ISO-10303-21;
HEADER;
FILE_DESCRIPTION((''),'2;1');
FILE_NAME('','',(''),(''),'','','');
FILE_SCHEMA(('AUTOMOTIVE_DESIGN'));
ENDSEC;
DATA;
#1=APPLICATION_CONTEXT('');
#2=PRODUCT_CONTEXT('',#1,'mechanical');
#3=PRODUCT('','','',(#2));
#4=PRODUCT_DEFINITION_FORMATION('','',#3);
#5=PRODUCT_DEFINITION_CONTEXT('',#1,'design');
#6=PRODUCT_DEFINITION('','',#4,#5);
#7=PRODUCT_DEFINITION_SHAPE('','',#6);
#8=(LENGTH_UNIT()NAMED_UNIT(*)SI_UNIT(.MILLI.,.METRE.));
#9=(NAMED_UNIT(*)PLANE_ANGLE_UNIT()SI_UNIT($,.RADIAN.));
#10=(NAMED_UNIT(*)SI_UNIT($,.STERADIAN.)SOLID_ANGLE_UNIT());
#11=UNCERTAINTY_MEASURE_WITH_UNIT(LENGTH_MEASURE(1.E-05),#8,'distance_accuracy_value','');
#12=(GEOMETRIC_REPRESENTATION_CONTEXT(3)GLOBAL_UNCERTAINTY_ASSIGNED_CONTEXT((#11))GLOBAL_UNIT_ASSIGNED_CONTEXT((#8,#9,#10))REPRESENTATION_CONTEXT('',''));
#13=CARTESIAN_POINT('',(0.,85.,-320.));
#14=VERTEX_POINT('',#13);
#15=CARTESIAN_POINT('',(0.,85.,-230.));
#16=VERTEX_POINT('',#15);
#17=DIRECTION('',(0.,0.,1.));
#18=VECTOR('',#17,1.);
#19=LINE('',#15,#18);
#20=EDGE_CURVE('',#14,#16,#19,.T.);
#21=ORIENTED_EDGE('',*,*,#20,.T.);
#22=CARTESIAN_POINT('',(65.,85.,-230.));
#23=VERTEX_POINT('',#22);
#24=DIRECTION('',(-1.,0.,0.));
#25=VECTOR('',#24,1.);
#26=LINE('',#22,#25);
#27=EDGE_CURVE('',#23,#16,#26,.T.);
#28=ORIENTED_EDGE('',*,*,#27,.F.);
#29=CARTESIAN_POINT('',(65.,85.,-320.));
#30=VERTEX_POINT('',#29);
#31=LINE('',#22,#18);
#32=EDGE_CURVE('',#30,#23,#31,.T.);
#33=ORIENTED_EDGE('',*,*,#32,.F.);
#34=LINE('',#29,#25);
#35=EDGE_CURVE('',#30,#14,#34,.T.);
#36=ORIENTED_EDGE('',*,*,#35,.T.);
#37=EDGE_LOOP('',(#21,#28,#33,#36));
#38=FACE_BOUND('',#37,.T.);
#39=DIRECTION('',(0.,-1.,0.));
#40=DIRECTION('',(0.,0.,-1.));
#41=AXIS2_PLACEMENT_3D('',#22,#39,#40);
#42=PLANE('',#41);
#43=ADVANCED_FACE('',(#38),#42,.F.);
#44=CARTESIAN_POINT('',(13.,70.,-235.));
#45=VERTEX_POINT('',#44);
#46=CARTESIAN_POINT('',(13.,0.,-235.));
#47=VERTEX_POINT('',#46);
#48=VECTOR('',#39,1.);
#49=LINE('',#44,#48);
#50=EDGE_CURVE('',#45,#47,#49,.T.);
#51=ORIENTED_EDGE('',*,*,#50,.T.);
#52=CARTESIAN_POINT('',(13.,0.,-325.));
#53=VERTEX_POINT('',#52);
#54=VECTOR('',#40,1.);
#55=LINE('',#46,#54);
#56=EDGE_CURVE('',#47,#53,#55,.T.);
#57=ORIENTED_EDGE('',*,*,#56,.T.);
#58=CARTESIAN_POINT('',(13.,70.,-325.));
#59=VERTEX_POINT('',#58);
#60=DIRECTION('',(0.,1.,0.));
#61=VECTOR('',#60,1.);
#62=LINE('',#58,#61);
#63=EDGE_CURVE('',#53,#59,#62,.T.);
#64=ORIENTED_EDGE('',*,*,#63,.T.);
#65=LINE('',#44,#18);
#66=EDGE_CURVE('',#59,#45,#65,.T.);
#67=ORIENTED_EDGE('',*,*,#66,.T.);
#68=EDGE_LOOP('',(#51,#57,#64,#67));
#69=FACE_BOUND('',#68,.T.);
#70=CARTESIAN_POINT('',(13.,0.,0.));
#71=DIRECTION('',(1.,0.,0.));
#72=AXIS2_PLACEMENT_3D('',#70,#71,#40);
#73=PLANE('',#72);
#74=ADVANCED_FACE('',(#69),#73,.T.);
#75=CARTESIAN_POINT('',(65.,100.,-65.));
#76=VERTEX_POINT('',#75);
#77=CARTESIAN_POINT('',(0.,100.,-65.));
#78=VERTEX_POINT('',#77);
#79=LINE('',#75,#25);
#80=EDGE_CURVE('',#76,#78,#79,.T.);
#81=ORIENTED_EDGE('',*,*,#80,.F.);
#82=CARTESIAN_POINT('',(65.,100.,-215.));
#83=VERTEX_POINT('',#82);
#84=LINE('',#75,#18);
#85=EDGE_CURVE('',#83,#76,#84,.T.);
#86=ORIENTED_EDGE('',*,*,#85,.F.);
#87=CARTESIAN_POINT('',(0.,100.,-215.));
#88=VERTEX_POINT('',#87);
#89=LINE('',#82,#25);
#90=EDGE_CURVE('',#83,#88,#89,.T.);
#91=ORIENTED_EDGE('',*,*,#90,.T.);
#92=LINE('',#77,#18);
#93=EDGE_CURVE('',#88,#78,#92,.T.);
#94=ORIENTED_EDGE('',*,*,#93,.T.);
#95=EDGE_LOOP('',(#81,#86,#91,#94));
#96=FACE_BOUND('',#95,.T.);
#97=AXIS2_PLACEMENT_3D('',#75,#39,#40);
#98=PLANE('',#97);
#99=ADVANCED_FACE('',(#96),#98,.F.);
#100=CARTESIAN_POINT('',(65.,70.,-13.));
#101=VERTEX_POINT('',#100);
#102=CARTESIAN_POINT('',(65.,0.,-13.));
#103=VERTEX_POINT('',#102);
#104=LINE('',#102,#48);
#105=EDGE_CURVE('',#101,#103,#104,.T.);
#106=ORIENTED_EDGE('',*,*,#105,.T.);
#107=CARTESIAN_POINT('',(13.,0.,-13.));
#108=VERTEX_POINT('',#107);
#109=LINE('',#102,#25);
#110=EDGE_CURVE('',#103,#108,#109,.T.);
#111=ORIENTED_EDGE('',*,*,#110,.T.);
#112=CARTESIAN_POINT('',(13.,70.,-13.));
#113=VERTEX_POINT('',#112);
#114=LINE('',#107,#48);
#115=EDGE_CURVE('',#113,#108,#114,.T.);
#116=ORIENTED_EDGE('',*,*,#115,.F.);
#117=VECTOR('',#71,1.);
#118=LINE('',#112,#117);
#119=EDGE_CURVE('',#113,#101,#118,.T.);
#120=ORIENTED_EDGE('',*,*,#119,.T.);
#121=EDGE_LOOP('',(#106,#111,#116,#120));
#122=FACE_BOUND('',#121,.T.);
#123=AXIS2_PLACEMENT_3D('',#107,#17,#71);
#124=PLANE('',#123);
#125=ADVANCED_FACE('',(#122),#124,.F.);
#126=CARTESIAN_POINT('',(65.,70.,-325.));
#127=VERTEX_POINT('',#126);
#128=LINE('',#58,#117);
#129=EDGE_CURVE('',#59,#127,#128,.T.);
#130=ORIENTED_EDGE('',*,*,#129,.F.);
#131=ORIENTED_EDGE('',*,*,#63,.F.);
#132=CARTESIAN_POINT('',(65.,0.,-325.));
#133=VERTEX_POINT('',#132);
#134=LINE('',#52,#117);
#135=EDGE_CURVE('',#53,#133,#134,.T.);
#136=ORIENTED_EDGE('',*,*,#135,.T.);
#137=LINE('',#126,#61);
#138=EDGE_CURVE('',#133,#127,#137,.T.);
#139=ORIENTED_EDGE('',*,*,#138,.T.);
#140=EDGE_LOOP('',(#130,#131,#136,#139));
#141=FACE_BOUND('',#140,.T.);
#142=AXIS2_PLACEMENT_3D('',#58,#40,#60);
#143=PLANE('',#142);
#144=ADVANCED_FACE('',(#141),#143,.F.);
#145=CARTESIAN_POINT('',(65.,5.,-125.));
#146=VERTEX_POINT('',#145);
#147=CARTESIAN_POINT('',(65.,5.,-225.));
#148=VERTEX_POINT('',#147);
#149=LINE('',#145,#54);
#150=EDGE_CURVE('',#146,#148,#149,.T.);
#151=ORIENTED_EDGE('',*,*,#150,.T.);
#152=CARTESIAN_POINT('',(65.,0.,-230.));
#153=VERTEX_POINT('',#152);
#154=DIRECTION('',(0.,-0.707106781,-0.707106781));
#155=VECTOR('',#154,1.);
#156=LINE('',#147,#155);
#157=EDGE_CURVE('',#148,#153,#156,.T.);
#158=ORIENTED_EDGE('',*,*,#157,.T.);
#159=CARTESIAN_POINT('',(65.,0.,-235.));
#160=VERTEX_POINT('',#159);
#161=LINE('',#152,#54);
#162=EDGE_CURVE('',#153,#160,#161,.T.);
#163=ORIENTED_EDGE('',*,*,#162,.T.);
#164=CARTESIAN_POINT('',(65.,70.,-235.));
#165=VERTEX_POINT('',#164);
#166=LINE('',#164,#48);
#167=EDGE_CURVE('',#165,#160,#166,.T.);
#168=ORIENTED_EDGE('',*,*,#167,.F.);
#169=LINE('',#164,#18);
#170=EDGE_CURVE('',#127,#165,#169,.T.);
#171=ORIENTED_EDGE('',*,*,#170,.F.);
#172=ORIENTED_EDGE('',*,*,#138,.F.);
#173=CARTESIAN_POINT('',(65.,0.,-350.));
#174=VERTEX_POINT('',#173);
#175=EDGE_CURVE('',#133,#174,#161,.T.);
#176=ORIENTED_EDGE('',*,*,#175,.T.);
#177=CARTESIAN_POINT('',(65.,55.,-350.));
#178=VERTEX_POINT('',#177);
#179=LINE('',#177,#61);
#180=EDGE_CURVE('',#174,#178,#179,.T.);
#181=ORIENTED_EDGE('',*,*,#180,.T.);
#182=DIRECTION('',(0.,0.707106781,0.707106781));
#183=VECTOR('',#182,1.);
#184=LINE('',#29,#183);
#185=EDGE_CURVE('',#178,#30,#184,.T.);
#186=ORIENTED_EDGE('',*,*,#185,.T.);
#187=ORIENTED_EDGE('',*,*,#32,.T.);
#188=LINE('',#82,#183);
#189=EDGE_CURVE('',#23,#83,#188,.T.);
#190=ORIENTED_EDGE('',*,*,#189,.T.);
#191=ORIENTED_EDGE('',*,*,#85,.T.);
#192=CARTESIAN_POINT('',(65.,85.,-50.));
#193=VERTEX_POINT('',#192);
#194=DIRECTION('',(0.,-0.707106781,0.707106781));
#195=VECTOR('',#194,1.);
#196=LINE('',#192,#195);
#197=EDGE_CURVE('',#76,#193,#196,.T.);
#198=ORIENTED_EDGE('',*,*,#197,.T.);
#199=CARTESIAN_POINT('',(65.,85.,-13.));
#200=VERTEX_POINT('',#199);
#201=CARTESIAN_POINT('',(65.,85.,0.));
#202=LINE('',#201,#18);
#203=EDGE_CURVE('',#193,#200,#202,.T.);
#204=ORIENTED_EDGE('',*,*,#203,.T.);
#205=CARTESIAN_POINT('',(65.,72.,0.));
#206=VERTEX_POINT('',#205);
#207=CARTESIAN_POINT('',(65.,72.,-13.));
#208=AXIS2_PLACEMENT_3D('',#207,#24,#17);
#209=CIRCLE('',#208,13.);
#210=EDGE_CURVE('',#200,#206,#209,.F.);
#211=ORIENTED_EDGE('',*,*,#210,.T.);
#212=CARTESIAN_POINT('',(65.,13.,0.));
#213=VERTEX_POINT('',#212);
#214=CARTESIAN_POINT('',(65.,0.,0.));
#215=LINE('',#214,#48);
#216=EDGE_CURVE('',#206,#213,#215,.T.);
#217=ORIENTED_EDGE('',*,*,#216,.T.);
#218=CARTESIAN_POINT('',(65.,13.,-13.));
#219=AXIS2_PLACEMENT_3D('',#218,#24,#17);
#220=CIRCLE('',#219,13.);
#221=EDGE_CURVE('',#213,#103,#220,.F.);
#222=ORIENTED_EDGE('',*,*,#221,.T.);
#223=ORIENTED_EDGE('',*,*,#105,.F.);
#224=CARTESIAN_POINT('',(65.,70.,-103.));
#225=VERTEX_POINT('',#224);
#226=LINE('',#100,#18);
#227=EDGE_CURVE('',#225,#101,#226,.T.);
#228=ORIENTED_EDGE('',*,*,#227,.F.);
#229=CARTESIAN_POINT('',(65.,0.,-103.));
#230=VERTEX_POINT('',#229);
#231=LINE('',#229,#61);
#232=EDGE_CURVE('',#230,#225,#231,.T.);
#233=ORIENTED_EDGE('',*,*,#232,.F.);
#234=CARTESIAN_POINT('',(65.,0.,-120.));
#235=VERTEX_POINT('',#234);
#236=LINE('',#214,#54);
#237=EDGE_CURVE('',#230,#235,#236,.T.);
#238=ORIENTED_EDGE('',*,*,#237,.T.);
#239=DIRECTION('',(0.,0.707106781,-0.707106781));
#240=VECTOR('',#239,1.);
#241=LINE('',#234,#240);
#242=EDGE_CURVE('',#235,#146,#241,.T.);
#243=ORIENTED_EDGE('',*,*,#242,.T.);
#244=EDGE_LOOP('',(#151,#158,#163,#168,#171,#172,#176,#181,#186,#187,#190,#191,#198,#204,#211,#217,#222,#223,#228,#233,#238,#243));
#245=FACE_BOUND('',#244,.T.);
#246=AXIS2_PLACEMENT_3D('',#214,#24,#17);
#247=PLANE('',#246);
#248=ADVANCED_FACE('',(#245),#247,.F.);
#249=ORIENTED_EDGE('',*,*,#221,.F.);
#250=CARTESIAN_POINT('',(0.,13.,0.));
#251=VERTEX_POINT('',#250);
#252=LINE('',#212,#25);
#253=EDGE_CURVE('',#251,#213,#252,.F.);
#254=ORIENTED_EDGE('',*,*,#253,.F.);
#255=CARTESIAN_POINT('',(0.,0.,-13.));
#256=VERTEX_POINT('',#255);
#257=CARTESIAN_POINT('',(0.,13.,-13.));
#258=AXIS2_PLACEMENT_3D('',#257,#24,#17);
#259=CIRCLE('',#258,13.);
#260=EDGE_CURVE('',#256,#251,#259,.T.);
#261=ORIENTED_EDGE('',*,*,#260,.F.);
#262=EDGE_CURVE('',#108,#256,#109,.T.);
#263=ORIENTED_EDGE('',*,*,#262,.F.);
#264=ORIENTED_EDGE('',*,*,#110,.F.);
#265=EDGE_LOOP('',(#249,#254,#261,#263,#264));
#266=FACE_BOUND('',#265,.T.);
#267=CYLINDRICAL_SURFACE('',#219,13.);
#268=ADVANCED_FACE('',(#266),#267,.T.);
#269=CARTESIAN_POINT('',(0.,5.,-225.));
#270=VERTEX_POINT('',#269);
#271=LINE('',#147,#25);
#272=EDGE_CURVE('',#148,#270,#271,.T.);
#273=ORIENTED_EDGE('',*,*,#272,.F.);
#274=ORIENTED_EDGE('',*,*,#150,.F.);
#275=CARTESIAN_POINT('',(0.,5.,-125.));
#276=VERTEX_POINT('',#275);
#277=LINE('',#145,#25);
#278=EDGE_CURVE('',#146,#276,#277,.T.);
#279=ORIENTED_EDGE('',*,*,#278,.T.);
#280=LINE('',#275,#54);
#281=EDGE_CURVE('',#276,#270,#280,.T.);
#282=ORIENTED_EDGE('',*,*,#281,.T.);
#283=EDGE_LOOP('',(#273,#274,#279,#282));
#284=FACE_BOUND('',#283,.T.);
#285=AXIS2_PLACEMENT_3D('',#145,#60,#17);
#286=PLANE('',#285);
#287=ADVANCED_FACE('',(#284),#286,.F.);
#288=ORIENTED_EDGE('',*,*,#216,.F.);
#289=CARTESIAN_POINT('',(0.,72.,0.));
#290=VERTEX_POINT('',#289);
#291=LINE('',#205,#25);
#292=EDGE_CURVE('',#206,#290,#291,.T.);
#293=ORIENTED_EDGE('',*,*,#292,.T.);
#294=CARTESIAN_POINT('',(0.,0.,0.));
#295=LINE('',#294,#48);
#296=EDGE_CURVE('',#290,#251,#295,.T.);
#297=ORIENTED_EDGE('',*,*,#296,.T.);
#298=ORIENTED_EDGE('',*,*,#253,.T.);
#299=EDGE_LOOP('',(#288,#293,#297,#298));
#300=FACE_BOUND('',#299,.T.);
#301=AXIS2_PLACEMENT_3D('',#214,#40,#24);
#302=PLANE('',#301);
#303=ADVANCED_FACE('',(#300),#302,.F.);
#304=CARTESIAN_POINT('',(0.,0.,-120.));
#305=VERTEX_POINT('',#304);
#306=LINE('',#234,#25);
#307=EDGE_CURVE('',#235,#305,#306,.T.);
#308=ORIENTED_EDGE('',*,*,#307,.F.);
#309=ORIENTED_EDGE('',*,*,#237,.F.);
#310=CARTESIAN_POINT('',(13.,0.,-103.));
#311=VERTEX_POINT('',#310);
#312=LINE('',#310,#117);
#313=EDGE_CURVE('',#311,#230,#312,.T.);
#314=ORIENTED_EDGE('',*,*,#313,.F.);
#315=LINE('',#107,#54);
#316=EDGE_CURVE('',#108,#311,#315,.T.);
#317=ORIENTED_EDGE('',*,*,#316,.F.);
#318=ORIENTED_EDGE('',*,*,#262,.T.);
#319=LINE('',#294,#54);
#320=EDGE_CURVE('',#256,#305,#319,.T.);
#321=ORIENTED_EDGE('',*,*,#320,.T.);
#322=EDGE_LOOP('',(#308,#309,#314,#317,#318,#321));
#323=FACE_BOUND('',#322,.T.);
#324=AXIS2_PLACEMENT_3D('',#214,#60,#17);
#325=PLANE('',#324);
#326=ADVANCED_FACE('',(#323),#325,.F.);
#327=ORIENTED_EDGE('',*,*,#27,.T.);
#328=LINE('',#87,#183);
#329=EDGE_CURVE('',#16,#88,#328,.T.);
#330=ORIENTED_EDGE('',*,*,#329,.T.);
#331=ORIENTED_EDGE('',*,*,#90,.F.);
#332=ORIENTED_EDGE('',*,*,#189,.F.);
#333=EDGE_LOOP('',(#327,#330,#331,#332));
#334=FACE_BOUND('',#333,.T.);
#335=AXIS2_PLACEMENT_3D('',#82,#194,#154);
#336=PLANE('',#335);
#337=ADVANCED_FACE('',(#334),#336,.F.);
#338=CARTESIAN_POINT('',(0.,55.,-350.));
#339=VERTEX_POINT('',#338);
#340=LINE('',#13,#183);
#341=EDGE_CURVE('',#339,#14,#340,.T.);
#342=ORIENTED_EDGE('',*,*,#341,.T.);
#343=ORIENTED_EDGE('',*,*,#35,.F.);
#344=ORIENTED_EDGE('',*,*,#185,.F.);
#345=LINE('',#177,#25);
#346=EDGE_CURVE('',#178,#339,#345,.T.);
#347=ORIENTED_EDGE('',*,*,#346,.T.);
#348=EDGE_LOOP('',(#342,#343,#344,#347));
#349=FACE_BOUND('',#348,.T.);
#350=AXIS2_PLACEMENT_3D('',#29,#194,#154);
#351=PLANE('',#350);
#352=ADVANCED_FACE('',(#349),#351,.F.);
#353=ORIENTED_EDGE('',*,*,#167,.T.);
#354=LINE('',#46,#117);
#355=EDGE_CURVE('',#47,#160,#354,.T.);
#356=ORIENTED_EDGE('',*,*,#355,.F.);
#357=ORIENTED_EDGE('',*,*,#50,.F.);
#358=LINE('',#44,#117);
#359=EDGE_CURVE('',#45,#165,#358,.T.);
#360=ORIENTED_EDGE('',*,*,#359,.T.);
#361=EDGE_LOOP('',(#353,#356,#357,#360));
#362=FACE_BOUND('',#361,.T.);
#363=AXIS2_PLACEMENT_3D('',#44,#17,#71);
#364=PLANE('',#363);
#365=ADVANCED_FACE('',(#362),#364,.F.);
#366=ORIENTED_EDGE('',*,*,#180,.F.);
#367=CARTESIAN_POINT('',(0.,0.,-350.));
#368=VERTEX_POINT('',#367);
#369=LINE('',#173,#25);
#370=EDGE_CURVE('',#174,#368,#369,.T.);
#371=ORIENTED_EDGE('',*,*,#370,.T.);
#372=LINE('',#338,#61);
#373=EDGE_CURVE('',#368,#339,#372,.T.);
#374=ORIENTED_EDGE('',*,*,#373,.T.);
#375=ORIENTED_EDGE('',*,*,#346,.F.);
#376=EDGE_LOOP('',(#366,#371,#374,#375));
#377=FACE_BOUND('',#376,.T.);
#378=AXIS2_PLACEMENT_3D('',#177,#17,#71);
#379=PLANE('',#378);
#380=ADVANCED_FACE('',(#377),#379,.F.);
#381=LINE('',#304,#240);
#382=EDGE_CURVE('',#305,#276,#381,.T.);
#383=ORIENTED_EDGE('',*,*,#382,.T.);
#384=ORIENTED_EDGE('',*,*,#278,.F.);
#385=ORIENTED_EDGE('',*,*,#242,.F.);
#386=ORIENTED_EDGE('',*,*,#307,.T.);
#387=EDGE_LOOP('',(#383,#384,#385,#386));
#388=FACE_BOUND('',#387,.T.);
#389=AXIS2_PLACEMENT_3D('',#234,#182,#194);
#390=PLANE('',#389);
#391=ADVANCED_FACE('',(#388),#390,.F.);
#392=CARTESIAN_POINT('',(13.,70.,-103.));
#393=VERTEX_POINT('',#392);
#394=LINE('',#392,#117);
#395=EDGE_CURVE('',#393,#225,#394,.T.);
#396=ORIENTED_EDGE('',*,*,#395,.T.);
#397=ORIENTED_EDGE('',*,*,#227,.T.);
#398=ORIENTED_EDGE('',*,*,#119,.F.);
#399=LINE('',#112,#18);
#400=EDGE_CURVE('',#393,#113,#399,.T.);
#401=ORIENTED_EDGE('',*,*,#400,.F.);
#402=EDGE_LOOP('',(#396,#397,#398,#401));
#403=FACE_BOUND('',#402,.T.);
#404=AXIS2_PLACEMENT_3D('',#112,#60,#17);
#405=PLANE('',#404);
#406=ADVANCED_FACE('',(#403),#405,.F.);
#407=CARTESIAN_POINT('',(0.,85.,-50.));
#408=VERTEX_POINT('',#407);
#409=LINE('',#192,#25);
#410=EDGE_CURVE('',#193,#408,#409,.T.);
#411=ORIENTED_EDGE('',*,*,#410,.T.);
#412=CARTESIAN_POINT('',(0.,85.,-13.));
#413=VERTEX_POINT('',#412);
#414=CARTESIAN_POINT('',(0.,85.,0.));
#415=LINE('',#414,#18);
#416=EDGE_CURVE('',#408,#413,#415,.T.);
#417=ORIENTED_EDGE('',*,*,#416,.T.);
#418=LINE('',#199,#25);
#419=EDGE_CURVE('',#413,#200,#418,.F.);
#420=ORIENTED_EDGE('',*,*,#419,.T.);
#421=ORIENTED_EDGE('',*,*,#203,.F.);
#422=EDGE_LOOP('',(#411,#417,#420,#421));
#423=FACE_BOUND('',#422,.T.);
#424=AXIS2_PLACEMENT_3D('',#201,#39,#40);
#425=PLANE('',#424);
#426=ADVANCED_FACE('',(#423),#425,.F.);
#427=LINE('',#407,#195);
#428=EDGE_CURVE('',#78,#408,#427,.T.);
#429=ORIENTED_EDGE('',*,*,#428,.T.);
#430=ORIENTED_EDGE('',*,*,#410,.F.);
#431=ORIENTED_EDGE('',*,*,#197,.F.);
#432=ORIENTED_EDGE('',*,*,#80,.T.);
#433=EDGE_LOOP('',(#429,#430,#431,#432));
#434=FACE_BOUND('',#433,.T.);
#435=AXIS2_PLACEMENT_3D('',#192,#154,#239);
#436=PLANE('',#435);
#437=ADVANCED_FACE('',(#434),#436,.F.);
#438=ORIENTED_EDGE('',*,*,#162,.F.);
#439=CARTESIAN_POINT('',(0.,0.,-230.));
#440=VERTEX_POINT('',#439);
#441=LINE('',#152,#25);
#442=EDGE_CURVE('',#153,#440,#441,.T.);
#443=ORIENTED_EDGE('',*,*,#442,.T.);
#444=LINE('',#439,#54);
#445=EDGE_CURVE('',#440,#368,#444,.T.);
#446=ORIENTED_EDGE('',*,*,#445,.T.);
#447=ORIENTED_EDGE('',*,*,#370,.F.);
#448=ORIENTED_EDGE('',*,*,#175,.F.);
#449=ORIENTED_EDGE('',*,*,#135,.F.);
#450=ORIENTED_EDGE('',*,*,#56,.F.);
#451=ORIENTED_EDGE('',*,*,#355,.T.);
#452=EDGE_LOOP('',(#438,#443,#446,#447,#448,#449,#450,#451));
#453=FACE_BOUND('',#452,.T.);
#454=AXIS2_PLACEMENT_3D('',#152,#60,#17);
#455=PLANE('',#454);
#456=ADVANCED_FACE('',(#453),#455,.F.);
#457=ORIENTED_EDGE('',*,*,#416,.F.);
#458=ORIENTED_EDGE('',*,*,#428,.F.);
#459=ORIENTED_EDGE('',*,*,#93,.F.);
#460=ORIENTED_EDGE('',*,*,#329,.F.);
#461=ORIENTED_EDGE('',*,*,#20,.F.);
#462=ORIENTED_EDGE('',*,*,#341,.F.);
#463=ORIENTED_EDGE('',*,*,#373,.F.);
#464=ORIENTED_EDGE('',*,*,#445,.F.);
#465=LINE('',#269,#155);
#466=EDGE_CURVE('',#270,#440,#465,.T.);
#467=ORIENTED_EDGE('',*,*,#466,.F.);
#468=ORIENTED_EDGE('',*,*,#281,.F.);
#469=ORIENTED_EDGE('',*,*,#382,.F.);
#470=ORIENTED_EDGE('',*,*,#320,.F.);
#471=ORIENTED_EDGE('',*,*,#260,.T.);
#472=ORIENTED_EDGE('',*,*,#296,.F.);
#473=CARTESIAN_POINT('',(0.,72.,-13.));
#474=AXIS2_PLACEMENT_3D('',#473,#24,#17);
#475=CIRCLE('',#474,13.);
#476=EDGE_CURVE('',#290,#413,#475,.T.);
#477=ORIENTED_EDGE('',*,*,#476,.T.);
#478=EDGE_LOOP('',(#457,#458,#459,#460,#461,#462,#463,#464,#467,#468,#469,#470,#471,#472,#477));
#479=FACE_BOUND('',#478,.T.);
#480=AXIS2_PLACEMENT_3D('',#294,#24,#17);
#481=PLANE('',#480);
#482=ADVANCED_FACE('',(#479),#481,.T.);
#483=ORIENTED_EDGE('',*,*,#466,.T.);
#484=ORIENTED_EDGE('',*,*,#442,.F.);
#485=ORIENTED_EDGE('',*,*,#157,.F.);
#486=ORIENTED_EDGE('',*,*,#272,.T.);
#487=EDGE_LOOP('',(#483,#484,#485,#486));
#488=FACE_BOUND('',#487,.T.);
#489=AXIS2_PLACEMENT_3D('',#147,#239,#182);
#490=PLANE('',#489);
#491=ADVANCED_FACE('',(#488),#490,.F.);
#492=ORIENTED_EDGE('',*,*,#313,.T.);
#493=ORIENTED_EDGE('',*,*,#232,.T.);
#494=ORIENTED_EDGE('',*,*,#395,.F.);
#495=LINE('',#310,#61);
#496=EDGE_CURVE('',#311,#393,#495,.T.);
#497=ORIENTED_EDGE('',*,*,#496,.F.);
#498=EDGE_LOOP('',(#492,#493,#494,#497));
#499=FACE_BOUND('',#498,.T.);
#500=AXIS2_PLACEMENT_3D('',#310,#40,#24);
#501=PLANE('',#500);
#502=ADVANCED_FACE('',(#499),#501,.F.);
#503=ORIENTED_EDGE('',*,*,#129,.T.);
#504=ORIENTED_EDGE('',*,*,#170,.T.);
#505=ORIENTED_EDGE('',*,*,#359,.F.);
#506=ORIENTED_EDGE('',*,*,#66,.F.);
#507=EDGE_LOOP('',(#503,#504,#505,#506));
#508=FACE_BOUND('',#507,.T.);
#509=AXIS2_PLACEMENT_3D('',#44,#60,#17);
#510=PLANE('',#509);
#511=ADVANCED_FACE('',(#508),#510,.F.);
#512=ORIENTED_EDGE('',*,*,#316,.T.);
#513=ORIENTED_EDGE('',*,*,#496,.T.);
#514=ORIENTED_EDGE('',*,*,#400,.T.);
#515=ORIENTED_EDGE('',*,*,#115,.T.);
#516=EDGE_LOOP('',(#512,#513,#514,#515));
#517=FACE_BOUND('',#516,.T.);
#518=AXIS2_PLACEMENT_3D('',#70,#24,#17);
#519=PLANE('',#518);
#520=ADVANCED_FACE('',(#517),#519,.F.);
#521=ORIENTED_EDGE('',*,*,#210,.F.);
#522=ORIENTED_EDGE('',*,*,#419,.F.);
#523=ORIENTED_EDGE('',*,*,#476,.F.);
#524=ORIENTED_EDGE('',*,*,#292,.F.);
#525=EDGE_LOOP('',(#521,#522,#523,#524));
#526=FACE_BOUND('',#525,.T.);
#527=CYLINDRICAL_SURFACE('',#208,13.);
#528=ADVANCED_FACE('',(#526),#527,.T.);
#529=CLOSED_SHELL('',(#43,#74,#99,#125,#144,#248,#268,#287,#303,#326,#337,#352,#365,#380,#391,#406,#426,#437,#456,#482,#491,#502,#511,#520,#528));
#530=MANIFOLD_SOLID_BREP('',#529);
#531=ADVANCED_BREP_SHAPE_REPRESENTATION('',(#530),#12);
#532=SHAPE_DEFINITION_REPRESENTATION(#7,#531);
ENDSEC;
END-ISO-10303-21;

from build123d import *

# Parameters (mm, degrees)
BOSS_EXTRUDE1_DEPTH = 65
FILLET1_R           = 13
SKETCH3_W           = 90
SKETCH3_H           = 70
CUT_EXTRUDE1_DEPTH  = 52


with BuildPart() as part:
    # Sketch2 → Boss-Extrude1 (new body)
    with BuildSketch(Plane(origin=(0, 0, 0), x_dir=(0, 0, -1), z_dir=(1, 0, 0))):
        Polygon((0, 0), (0, 85), (50, 85), (65, 100), (215, 100), (230, 85), (320, 85), (350, 55), (350, 0), (230, 0), (225, 5), (125, 5), (120, 0), align=None)
    extrude(amount=BOSS_EXTRUDE1_DEPTH)

    # Fillet1
    fillet1_edges = [part.edges().sort_by_distance(p)[0] for p in [
        (32.5, 0, 0),
        (32.5, 85, 0),
    ]]
    fillet(fillet1_edges, radius=FILLET1_R)

    # Sketch3 → Cut-Extrude1 (cut)
    with BuildSketch(Plane(origin=(65, 0, 0), x_dir=(0, 0, -1), z_dir=(1, 0, 0))):
        with Locations((58, 35)):
            Rectangle(SKETCH3_W, SKETCH3_H)
        with Locations((280, 35)):
            Rectangle(SKETCH3_W, SKETCH3_H)
    extrude(amount=-CUT_EXTRUDE1_DEPTH, mode=Mode.SUBTRACT)


solid = part.part
